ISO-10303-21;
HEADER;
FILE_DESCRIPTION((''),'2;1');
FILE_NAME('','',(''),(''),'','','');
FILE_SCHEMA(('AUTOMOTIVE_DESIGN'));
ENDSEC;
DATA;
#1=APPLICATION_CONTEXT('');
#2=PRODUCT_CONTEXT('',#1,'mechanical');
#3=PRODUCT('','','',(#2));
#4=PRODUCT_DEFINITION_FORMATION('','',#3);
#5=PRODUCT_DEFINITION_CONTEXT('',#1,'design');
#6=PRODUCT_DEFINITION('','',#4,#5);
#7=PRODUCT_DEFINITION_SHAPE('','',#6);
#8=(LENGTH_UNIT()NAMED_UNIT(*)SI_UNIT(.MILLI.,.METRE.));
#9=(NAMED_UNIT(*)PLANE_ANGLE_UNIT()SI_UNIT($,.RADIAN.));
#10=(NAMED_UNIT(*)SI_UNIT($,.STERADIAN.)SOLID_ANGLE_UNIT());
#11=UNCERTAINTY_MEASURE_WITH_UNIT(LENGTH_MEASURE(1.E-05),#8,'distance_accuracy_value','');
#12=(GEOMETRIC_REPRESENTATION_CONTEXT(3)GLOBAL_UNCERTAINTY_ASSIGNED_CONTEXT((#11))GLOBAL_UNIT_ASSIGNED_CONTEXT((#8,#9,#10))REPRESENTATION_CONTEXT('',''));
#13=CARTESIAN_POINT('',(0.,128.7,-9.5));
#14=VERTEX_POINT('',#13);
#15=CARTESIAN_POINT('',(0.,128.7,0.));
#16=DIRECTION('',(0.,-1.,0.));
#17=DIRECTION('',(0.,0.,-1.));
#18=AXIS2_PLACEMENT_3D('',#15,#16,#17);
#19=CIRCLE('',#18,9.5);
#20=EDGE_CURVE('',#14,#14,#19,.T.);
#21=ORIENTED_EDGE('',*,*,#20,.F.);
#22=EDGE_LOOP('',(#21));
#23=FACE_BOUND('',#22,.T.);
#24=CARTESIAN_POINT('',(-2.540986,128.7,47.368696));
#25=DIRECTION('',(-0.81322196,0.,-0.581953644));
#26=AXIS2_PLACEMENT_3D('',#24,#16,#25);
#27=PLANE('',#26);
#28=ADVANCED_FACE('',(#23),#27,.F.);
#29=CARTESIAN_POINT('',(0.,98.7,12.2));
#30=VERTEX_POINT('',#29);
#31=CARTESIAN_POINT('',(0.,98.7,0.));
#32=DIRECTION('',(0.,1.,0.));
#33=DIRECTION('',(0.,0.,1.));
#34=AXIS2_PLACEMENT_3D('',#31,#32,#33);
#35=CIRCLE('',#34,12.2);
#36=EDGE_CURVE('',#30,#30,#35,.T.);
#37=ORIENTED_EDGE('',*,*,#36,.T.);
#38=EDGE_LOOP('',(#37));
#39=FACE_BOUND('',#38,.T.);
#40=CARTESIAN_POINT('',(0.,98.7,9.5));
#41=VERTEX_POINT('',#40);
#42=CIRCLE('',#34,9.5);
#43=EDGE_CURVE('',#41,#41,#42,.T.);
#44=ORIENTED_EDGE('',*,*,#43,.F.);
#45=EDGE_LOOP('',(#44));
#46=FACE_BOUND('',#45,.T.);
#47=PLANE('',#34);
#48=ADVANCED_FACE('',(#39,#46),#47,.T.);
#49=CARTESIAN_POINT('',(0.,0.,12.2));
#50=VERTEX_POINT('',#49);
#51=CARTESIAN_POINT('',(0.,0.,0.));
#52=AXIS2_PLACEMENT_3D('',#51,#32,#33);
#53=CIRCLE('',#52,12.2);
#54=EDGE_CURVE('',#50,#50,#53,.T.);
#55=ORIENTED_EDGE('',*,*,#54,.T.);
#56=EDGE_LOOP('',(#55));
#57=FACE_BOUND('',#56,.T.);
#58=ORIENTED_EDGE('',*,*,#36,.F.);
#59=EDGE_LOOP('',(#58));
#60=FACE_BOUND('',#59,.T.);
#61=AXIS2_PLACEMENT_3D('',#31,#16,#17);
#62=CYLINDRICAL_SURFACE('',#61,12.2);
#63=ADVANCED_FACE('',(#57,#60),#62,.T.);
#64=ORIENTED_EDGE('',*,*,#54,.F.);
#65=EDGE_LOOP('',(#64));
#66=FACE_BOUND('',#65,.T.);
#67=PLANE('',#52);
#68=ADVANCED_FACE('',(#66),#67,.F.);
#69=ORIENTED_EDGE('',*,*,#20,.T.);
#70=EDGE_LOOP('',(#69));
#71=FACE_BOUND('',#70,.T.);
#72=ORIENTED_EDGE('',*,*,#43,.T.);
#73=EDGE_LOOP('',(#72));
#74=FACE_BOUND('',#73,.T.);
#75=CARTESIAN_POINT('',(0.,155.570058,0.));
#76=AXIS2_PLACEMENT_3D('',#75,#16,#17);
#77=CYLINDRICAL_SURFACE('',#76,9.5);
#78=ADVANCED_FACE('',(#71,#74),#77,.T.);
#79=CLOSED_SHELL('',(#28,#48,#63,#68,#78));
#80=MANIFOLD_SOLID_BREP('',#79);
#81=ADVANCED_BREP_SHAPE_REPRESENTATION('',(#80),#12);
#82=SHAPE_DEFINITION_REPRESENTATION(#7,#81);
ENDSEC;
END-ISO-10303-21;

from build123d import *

# Parameters (mm, degrees)
CROQUIS2_R              = 12.2
SALIENTE_EXTRUIR1_DEPTH = 98.7
CROQUIS3_R              = 9.5
SALIENTE_EXTRUIR2_DEPTH = 30


with BuildPart() as part:
    # Croquis2 → Saliente-Extruir1 (new body)
    with BuildSketch(Plane(origin=(0, 0, 0), x_dir=(1, 0, 0), z_dir=(0, 1, 0))):
        with Locations(Location((0, 0, 0), (0, 0, 270))):
            Circle(CROQUIS2_R)
    extrude(amount=SALIENTE_EXTRUIR1_DEPTH)

    # Croquis3 → Saliente-Extruir2 (add)
    with BuildSketch(Plane(origin=(0, 98.7, 0), x_dir=(1, 0, 0), z_dir=(0, 1, 0))):
        with Locations(Location((0, 0, 0), (0, 0, 90))):
            Circle(CROQUIS3_R)
    extrude(amount=SALIENTE_EXTRUIR2_DEPTH)


solid = part.part
